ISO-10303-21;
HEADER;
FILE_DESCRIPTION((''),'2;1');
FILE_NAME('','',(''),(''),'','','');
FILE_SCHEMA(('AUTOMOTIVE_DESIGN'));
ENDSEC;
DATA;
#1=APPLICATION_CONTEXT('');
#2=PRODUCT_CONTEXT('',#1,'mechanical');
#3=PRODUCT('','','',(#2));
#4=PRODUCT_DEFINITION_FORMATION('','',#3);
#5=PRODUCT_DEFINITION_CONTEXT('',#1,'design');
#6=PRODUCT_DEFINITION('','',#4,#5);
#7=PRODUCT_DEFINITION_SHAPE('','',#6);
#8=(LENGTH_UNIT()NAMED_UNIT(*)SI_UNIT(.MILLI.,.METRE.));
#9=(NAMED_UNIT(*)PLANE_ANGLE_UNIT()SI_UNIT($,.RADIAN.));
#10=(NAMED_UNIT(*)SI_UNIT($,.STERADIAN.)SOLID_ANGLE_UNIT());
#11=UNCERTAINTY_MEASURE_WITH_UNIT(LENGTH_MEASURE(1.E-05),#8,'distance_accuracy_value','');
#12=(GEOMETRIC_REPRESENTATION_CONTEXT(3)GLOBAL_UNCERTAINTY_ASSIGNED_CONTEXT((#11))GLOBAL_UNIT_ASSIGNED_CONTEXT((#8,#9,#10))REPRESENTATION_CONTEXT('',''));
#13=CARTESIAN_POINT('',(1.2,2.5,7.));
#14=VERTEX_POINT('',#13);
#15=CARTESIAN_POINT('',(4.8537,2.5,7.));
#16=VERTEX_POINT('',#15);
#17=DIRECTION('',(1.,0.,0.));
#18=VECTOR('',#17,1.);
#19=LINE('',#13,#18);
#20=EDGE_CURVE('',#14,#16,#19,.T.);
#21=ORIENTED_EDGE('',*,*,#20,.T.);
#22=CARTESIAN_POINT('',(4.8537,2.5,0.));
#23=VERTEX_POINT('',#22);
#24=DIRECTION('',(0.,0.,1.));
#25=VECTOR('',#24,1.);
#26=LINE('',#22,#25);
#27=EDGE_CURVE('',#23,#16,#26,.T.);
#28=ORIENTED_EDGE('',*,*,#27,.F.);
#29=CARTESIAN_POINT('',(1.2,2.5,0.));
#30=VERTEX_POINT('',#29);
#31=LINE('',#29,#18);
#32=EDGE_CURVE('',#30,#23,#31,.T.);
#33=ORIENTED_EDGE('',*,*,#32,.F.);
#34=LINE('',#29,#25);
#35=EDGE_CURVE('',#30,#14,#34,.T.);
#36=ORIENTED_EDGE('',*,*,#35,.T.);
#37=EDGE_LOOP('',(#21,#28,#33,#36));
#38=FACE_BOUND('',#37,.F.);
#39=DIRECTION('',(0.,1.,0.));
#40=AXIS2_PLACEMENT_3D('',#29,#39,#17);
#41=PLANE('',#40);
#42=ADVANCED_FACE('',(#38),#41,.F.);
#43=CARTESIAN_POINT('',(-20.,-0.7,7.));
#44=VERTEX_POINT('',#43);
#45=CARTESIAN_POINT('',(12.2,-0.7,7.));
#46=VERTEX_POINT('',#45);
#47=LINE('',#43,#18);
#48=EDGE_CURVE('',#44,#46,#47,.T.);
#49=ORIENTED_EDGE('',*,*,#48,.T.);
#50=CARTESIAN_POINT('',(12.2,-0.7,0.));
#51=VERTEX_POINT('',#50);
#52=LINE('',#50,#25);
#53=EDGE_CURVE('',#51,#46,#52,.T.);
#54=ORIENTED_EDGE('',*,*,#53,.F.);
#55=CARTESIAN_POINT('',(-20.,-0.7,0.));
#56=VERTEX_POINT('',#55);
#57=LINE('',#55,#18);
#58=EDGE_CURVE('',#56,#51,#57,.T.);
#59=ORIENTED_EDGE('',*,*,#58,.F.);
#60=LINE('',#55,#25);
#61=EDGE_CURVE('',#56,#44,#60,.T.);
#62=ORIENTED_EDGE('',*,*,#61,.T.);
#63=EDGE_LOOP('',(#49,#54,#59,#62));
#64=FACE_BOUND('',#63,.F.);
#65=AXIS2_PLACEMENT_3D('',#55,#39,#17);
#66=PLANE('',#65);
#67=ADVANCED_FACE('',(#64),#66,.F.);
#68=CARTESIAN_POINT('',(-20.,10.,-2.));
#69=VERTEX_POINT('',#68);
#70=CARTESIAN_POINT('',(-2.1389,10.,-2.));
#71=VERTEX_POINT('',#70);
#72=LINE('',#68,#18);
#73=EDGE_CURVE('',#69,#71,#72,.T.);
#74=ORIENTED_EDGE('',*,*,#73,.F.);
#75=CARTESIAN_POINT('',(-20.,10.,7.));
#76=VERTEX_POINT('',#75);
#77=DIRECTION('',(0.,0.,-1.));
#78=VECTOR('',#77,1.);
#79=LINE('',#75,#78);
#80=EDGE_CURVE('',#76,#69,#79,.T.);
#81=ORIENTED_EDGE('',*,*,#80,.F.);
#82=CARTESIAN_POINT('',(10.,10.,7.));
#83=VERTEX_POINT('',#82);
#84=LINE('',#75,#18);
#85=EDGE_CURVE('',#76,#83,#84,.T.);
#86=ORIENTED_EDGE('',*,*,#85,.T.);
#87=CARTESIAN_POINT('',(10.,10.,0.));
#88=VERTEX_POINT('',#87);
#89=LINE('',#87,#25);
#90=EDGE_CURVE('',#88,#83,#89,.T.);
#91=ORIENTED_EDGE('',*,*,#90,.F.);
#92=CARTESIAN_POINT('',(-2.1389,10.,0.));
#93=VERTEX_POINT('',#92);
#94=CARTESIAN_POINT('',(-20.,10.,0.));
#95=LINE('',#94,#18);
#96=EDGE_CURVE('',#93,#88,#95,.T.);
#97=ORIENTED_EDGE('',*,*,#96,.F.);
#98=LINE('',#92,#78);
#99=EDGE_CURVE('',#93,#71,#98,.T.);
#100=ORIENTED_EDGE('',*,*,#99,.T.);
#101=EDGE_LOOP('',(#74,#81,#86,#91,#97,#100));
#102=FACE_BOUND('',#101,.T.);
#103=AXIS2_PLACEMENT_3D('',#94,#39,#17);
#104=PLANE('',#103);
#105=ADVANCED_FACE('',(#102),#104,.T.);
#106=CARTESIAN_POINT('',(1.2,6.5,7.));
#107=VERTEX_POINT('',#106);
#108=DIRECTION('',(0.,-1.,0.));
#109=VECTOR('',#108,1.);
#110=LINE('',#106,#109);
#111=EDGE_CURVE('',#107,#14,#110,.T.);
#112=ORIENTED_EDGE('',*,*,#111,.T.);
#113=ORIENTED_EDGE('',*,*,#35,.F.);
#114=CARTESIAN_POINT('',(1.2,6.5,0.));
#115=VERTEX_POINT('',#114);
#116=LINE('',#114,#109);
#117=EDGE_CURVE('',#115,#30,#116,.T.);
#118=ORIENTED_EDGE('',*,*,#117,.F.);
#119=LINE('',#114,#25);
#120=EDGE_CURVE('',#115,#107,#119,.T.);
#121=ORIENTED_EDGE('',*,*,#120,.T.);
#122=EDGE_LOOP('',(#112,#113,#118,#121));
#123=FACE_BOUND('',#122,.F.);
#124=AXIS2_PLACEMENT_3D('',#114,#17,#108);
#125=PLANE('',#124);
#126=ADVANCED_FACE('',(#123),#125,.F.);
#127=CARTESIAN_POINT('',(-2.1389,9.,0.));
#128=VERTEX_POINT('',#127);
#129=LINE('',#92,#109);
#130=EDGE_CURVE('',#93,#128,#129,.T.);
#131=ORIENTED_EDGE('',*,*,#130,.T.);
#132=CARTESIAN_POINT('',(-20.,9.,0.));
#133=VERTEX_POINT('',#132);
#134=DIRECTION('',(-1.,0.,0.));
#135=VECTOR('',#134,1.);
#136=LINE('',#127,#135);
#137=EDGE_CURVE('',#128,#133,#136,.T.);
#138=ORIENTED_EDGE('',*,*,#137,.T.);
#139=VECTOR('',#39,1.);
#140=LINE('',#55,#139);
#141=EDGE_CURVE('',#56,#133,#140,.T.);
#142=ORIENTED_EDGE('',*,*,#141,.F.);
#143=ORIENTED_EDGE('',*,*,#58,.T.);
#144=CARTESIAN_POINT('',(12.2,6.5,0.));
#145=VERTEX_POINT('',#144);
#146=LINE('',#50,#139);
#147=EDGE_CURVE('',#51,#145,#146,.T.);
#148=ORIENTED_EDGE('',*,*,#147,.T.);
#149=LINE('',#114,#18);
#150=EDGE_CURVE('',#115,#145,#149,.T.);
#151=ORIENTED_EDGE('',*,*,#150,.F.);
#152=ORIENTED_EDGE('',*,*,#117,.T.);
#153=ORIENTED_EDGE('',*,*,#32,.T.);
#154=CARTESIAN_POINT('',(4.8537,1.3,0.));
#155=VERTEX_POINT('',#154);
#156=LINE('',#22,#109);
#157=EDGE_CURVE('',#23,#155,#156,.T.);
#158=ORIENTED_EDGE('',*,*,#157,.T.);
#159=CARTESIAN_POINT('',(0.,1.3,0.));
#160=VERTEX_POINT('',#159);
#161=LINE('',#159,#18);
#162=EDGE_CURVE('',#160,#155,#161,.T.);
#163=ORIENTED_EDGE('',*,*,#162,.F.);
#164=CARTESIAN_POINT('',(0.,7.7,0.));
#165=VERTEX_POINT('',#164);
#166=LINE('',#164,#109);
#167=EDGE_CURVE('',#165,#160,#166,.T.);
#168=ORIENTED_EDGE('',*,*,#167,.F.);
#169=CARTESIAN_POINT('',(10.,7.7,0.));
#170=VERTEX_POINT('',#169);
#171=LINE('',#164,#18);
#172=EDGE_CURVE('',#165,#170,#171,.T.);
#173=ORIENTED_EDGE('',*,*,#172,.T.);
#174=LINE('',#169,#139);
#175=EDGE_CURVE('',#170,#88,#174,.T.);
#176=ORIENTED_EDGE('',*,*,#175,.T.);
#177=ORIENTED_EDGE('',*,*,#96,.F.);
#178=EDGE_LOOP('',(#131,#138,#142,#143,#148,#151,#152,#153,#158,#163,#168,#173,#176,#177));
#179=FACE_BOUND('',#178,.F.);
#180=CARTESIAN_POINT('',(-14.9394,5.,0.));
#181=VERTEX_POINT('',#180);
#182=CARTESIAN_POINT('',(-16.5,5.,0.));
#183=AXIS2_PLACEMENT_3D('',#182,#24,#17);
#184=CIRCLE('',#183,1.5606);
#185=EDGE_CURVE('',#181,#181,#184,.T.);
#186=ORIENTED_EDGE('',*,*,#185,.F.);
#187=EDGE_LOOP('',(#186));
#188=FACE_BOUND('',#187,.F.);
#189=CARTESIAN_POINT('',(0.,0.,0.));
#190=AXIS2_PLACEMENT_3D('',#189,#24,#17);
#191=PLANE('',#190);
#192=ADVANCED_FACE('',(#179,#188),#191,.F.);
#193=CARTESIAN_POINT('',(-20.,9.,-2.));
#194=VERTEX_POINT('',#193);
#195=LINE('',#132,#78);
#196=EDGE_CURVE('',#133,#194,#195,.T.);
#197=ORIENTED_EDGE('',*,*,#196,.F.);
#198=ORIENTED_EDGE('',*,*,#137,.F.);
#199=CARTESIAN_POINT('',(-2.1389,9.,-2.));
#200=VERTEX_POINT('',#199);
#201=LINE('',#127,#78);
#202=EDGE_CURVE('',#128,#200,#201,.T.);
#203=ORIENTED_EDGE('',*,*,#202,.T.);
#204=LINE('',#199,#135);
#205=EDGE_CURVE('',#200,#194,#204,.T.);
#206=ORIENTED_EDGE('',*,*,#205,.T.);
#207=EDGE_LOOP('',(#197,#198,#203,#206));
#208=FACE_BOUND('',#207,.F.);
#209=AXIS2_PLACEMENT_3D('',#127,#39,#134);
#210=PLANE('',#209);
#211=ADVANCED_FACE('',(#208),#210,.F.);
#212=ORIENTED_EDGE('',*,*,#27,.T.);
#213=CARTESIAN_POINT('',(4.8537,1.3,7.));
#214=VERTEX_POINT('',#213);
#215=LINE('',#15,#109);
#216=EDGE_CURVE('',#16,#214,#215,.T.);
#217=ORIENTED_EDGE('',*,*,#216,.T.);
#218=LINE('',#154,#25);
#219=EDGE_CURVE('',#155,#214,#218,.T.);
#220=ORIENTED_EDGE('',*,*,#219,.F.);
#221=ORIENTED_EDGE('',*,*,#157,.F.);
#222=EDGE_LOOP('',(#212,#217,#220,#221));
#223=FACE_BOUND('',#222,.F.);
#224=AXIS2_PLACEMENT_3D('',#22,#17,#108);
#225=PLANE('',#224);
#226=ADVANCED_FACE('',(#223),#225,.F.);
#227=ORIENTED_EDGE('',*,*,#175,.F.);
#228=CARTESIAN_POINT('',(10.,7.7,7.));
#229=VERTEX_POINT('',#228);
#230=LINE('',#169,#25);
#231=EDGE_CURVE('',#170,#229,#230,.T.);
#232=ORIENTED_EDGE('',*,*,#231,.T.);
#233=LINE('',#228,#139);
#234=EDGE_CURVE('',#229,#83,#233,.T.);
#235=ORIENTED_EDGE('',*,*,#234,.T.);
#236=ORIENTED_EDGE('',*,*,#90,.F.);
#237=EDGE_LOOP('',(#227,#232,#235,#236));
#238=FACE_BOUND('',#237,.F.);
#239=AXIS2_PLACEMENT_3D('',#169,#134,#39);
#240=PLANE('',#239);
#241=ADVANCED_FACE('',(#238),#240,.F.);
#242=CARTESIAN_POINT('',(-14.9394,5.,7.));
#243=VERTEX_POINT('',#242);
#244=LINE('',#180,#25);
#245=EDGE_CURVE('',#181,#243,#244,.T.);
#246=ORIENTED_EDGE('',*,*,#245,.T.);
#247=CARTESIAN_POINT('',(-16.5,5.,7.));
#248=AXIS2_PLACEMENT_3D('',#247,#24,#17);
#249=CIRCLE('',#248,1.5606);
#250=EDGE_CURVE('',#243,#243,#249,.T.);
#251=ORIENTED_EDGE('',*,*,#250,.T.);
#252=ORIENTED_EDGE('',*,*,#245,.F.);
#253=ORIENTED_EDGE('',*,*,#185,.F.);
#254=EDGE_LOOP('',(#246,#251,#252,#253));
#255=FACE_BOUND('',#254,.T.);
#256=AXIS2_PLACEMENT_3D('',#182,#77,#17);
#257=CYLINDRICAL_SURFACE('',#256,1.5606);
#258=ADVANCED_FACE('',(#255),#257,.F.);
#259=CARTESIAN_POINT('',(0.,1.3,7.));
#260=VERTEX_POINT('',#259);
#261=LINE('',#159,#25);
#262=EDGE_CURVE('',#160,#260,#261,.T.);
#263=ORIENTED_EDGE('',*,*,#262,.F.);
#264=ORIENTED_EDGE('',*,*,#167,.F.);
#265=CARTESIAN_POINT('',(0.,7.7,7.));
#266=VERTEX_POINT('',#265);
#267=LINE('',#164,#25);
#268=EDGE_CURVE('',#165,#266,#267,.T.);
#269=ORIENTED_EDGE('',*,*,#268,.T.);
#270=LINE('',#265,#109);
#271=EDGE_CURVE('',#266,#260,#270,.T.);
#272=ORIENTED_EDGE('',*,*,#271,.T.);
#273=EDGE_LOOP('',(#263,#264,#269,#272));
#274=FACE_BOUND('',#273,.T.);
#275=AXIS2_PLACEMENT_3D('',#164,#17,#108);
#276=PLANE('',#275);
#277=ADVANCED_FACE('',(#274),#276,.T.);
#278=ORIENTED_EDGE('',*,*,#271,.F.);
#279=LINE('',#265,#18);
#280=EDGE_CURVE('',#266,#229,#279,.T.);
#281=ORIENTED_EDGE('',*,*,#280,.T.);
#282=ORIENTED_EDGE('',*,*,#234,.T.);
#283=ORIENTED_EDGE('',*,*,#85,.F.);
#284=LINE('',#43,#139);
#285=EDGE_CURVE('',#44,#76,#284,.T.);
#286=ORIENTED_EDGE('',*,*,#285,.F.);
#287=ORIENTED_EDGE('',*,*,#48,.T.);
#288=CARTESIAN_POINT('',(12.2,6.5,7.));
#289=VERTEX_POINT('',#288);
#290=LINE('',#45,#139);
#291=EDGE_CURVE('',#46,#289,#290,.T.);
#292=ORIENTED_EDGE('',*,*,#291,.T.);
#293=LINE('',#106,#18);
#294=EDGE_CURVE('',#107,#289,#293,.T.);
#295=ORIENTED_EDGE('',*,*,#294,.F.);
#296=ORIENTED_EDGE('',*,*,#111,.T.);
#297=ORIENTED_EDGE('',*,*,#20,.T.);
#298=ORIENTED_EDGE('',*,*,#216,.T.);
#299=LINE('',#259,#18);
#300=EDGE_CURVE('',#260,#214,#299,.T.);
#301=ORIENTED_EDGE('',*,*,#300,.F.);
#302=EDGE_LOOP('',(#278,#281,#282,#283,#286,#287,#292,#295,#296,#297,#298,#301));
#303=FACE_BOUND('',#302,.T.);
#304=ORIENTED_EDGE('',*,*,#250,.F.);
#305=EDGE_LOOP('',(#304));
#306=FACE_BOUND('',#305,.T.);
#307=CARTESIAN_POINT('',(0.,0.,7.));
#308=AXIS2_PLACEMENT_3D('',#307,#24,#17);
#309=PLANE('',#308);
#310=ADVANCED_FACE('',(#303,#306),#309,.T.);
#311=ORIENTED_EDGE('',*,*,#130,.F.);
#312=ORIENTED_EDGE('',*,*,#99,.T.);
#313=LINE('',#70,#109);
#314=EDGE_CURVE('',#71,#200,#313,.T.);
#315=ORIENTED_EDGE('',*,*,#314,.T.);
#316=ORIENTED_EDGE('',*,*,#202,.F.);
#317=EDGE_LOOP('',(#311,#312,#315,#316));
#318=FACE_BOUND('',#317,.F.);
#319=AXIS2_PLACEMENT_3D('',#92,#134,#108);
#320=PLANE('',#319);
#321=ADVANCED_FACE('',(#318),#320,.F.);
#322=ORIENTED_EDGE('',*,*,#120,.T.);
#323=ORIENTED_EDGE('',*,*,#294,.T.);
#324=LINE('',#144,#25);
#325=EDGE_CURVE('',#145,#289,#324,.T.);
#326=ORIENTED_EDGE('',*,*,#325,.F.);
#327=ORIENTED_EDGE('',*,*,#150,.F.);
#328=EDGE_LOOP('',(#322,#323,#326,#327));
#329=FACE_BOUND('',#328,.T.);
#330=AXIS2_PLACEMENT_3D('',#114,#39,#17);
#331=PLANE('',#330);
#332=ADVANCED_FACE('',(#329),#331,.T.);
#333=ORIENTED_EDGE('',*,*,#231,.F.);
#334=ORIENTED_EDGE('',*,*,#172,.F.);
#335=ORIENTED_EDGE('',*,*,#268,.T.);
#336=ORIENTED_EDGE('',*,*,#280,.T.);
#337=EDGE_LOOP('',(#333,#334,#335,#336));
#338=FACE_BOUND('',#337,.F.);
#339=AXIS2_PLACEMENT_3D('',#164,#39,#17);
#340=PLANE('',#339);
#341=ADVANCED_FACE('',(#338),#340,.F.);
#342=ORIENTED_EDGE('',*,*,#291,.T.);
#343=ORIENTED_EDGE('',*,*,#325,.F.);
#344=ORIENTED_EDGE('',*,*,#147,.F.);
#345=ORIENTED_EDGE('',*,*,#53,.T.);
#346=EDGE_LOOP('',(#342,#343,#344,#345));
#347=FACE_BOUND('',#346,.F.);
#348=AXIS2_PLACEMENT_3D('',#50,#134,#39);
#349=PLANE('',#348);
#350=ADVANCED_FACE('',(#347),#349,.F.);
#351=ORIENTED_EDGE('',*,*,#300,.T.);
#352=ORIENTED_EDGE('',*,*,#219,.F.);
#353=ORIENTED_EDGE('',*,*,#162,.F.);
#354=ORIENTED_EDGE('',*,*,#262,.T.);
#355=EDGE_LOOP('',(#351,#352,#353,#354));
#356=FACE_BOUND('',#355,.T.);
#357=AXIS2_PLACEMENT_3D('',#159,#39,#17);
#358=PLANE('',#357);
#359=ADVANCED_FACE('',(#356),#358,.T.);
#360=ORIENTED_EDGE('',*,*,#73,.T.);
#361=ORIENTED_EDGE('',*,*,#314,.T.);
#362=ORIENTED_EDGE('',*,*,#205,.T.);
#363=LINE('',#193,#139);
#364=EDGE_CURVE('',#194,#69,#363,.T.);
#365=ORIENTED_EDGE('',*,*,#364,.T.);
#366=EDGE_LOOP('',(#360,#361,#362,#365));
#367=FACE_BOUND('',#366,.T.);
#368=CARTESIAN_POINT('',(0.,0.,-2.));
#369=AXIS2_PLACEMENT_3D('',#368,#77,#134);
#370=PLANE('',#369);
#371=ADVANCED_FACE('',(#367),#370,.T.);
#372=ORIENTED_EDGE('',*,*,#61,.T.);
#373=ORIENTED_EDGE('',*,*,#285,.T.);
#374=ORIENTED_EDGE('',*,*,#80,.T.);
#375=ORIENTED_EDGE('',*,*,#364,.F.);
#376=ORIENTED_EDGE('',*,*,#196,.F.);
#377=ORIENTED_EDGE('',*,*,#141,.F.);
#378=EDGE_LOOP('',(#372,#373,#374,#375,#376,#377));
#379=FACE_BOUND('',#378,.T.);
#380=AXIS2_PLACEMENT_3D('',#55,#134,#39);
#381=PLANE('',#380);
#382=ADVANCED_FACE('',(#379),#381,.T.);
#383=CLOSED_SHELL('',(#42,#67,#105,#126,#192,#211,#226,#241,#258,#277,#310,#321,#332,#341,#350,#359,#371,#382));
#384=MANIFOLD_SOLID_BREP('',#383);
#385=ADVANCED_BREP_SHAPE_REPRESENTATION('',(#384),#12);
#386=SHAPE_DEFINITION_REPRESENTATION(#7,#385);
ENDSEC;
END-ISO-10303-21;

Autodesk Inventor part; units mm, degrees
ref_plane "YZ Plane" through (0, 0, 0) normal (1, 0, 0) x (0, 1, 0)
ref_plane "XZ Plane" through (0, 0, 0) normal (0, 1, 0) x (-1, 0, 0)
ref_plane "XY Plane" through (0, 0, 0) normal (0, 0, 1) x (1, 0, 0)
sketch "Sketch1" plane through (0, 0, 0) normal (0, 0, 1) x (1, 0, 0)
  line L0 (-20, -0.7) -> (-20, 10)
  line L1 (0, 7.7) -> (0, 1.3)
  circle A0 centre (-16.5, 5) radius 1.5606
  line L2 (1.2, 6.5) -> (12.2, 6.5)
  line L3 (1.2, 2.5) -> (4.8537, 2.5)
  line L4 (1.2, 6.5) -> (1.2, 2.5)
  line L5 (0, 1.3) -> (4.8537, 1.3)
  line L6 (4.8537, 2.5) -> (4.8537, 1.3)
  line L7 (12.2, -0.7) -> (12.2, 6.5)
  line L8 (0, 7.7) -> (10, 7.7)
  line L9 (10, 7.7) -> (10, 10)
  line L10 (-20, -0.7) -> (12.2, -0.7)
  line L11 (-20, 10) -> (10, 10)
  dimension "d0" = 16.5
  dimension "d7" = 1.2
  dimension "d9" = 1.2
  dimension "d10" = 11
  dimension "d12" = 1.2
  dimension "d13" = 4
  dimension "d14" = 2
  dimension "d17" = 5
extrude "Extrusion1" add sketch "Sketch1" along normal blind 7
sketch "Sketch2" plane through (0, 0, 0) normal (0, 0, -1) x (-1, 0, 0)
  line L0 (20, 10) -> (2.1389, 10)
  line L1 (2.1389, 10) -> (2.1389, 9)
  line L2 (2.1389, 9) -> (20, 9)
  line L3 (20, 9) -> (20, 10)
  line L4 (20, 10) -> (-10, 10) projected
  line L5 (20, -0.7) -> (20, 10) projected
  point P0 (0, 0)
  dimension "d18" = 1
extrude "Extrusion2" add sketch "Sketch2" along normal blind 2
properties part number "opto mount"
